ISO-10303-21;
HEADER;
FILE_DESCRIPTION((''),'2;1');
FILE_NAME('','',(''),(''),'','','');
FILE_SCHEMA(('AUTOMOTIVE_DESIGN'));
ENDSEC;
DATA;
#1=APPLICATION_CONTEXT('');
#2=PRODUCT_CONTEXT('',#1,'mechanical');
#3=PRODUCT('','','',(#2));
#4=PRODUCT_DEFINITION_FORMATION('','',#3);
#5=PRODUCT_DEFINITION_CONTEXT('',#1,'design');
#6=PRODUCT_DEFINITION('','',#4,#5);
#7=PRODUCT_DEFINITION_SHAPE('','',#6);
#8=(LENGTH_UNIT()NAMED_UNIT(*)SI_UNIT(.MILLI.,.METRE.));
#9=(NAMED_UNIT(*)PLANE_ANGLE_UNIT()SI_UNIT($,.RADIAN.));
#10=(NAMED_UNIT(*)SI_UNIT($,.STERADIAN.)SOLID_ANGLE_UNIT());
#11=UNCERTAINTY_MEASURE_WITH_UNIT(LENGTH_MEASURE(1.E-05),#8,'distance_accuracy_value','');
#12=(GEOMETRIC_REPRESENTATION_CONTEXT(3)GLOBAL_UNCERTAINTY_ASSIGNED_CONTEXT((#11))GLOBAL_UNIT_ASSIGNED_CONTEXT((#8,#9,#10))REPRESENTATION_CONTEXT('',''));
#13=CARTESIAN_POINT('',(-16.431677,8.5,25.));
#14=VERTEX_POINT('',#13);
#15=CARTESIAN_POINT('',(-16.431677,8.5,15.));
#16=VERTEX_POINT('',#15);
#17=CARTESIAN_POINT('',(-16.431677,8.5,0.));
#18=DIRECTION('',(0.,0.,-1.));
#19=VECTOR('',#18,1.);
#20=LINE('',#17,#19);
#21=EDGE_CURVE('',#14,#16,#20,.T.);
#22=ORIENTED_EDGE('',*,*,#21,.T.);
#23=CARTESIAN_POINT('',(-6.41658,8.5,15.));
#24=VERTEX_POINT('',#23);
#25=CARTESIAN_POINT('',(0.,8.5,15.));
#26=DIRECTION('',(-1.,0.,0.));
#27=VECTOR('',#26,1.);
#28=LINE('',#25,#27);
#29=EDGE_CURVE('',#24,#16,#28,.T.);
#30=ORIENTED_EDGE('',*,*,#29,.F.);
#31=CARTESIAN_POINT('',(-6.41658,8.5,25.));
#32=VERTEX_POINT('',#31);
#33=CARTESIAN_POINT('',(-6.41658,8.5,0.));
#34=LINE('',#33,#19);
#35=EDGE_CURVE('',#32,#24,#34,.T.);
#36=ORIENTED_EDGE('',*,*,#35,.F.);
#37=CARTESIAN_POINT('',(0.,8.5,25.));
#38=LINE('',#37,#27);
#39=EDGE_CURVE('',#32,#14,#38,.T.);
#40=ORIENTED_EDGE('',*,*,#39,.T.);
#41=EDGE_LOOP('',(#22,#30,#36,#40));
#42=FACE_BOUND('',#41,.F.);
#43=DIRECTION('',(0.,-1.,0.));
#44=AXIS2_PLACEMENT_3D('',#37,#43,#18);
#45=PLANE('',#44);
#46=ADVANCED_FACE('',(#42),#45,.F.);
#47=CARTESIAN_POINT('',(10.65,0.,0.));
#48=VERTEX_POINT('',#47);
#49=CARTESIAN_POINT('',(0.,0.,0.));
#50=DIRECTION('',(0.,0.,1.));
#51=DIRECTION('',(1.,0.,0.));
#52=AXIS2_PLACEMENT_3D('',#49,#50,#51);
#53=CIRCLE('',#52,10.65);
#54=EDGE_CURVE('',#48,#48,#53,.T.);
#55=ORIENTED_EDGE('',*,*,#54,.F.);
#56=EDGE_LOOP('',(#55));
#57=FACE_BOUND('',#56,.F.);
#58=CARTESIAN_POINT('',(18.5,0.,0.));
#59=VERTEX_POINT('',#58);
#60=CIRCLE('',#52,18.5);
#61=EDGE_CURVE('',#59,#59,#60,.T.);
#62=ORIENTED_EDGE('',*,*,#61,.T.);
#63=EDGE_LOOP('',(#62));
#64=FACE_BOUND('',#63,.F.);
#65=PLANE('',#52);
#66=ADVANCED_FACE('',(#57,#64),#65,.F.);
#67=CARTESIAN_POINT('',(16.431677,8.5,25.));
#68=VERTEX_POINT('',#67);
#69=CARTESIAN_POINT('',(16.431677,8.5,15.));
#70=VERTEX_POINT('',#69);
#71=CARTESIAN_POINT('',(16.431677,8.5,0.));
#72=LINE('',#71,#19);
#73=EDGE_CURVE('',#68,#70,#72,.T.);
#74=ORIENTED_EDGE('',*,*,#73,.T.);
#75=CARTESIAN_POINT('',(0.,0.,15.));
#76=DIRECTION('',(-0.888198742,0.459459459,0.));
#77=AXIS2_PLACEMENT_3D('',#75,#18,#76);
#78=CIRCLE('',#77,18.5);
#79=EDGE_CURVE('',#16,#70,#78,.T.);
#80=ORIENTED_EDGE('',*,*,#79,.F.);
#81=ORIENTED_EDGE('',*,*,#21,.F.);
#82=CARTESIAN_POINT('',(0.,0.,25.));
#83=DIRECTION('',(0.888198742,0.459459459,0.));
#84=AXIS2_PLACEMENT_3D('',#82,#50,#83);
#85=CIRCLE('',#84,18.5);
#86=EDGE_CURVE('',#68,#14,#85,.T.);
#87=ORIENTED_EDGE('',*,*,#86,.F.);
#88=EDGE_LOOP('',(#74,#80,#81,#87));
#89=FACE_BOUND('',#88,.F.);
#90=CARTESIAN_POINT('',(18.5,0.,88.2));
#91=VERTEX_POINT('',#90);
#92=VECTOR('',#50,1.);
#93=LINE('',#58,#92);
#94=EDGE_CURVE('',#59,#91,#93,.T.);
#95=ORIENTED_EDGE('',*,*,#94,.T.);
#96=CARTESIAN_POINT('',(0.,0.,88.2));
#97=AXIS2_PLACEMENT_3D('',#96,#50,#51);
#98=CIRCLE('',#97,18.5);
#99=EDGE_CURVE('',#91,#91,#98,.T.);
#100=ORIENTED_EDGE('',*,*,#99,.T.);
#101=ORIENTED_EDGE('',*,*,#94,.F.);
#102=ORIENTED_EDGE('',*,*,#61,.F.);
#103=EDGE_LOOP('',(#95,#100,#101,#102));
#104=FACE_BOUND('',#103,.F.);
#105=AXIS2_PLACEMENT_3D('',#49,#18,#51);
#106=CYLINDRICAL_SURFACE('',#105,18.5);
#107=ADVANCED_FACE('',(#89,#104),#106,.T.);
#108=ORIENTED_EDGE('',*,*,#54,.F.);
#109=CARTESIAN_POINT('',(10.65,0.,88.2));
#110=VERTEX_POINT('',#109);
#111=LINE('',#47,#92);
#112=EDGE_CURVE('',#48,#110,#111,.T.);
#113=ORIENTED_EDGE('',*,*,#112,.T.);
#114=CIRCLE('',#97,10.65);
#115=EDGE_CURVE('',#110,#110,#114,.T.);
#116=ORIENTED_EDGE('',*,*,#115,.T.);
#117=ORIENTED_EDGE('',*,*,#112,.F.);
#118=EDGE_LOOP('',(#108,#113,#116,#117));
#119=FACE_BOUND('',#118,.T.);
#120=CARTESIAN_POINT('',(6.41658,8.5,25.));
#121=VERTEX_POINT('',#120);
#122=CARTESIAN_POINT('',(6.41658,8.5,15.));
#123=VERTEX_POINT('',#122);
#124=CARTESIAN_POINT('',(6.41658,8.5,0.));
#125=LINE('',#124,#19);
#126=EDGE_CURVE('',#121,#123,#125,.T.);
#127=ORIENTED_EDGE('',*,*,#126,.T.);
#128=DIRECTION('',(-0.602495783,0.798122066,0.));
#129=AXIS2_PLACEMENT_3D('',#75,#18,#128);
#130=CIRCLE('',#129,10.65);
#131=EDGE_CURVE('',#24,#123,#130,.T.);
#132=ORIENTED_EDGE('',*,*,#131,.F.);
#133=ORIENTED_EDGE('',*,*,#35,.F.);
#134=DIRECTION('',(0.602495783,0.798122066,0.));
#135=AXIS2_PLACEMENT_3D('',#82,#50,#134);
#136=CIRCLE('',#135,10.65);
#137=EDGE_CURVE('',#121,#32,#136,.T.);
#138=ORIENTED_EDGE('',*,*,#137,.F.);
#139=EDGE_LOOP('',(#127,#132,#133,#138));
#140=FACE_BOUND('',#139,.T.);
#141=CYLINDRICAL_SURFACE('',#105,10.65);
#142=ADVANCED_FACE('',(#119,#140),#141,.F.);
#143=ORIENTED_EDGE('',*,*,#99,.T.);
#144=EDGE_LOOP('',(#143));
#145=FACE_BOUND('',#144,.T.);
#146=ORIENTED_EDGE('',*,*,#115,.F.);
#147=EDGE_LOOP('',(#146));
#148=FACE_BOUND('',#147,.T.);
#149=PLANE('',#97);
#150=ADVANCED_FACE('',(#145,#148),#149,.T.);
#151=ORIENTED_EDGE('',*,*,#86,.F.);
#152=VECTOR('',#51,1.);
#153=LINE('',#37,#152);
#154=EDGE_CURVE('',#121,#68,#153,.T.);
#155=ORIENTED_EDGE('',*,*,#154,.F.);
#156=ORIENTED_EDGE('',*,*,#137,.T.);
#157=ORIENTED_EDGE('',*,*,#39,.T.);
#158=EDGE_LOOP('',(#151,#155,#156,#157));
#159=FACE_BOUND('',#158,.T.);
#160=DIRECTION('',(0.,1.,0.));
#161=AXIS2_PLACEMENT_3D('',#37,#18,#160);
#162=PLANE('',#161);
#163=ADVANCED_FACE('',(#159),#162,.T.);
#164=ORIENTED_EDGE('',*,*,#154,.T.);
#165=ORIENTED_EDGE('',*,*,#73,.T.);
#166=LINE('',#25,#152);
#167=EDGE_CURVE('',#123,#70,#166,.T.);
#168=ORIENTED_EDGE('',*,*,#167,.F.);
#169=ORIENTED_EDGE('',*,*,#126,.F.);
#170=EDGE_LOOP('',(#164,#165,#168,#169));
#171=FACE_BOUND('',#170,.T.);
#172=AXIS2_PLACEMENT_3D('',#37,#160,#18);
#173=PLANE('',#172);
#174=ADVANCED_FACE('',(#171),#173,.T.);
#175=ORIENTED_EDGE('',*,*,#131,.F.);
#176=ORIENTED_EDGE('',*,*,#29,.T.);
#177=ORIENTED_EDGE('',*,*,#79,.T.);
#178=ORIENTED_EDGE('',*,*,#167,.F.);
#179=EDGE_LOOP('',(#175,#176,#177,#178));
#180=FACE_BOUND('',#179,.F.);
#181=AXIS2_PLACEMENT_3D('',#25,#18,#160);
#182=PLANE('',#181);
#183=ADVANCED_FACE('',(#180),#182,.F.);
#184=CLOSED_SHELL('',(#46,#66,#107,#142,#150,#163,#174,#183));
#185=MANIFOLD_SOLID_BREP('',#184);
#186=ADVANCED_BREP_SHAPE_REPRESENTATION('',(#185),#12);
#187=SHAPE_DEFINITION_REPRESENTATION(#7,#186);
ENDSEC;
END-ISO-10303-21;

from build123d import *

# Parameters (mm, degrees)
SKIZZE1_R                            = 18.5
SKIZZE1_R_2                          = 10.65
AUFSATZ_LINEAR_AUSTRAGEN1_DEPTH      = 88.2
SKIZZE2_W                            = 10
SKIZZE2_H                            = 10
SCHNITT_LINEAR_AUSTRAGEN1_DEPTH      = 19.5
SCHNITT_LINEAR_AUSTRAGEN1_DEPTH_BACK = 19.5


with BuildPart() as part:
    # Skizze1 → Aufsatz-Linear austragen1 (new body)
    with BuildSketch(Plane.XY):
        Circle(SKIZZE1_R)
        Circle(SKIZZE1_R_2, mode=Mode.SUBTRACT)
    extrude(amount=AUFSATZ_LINEAR_AUSTRAGEN1_DEPTH)

    # Skizze2 → Schnitt-Linear austragen1 (cut, two sides)
    with BuildSketch(Plane(origin=(0, 0, 0), x_dir=(0, 0, -1), z_dir=(1, 0, 0))) as schnitt_linear_austragen1_sk:
        with Locations((-20, 13.5)):
            Rectangle(SKIZZE2_W, SKIZZE2_H)
    extrude(amount=SCHNITT_LINEAR_AUSTRAGEN1_DEPTH, mode=Mode.SUBTRACT)
    extrude(schnitt_linear_austragen1_sk.sketch, amount=-SCHNITT_LINEAR_AUSTRAGEN1_DEPTH_BACK, mode=Mode.SUBTRACT)


solid = part.part
